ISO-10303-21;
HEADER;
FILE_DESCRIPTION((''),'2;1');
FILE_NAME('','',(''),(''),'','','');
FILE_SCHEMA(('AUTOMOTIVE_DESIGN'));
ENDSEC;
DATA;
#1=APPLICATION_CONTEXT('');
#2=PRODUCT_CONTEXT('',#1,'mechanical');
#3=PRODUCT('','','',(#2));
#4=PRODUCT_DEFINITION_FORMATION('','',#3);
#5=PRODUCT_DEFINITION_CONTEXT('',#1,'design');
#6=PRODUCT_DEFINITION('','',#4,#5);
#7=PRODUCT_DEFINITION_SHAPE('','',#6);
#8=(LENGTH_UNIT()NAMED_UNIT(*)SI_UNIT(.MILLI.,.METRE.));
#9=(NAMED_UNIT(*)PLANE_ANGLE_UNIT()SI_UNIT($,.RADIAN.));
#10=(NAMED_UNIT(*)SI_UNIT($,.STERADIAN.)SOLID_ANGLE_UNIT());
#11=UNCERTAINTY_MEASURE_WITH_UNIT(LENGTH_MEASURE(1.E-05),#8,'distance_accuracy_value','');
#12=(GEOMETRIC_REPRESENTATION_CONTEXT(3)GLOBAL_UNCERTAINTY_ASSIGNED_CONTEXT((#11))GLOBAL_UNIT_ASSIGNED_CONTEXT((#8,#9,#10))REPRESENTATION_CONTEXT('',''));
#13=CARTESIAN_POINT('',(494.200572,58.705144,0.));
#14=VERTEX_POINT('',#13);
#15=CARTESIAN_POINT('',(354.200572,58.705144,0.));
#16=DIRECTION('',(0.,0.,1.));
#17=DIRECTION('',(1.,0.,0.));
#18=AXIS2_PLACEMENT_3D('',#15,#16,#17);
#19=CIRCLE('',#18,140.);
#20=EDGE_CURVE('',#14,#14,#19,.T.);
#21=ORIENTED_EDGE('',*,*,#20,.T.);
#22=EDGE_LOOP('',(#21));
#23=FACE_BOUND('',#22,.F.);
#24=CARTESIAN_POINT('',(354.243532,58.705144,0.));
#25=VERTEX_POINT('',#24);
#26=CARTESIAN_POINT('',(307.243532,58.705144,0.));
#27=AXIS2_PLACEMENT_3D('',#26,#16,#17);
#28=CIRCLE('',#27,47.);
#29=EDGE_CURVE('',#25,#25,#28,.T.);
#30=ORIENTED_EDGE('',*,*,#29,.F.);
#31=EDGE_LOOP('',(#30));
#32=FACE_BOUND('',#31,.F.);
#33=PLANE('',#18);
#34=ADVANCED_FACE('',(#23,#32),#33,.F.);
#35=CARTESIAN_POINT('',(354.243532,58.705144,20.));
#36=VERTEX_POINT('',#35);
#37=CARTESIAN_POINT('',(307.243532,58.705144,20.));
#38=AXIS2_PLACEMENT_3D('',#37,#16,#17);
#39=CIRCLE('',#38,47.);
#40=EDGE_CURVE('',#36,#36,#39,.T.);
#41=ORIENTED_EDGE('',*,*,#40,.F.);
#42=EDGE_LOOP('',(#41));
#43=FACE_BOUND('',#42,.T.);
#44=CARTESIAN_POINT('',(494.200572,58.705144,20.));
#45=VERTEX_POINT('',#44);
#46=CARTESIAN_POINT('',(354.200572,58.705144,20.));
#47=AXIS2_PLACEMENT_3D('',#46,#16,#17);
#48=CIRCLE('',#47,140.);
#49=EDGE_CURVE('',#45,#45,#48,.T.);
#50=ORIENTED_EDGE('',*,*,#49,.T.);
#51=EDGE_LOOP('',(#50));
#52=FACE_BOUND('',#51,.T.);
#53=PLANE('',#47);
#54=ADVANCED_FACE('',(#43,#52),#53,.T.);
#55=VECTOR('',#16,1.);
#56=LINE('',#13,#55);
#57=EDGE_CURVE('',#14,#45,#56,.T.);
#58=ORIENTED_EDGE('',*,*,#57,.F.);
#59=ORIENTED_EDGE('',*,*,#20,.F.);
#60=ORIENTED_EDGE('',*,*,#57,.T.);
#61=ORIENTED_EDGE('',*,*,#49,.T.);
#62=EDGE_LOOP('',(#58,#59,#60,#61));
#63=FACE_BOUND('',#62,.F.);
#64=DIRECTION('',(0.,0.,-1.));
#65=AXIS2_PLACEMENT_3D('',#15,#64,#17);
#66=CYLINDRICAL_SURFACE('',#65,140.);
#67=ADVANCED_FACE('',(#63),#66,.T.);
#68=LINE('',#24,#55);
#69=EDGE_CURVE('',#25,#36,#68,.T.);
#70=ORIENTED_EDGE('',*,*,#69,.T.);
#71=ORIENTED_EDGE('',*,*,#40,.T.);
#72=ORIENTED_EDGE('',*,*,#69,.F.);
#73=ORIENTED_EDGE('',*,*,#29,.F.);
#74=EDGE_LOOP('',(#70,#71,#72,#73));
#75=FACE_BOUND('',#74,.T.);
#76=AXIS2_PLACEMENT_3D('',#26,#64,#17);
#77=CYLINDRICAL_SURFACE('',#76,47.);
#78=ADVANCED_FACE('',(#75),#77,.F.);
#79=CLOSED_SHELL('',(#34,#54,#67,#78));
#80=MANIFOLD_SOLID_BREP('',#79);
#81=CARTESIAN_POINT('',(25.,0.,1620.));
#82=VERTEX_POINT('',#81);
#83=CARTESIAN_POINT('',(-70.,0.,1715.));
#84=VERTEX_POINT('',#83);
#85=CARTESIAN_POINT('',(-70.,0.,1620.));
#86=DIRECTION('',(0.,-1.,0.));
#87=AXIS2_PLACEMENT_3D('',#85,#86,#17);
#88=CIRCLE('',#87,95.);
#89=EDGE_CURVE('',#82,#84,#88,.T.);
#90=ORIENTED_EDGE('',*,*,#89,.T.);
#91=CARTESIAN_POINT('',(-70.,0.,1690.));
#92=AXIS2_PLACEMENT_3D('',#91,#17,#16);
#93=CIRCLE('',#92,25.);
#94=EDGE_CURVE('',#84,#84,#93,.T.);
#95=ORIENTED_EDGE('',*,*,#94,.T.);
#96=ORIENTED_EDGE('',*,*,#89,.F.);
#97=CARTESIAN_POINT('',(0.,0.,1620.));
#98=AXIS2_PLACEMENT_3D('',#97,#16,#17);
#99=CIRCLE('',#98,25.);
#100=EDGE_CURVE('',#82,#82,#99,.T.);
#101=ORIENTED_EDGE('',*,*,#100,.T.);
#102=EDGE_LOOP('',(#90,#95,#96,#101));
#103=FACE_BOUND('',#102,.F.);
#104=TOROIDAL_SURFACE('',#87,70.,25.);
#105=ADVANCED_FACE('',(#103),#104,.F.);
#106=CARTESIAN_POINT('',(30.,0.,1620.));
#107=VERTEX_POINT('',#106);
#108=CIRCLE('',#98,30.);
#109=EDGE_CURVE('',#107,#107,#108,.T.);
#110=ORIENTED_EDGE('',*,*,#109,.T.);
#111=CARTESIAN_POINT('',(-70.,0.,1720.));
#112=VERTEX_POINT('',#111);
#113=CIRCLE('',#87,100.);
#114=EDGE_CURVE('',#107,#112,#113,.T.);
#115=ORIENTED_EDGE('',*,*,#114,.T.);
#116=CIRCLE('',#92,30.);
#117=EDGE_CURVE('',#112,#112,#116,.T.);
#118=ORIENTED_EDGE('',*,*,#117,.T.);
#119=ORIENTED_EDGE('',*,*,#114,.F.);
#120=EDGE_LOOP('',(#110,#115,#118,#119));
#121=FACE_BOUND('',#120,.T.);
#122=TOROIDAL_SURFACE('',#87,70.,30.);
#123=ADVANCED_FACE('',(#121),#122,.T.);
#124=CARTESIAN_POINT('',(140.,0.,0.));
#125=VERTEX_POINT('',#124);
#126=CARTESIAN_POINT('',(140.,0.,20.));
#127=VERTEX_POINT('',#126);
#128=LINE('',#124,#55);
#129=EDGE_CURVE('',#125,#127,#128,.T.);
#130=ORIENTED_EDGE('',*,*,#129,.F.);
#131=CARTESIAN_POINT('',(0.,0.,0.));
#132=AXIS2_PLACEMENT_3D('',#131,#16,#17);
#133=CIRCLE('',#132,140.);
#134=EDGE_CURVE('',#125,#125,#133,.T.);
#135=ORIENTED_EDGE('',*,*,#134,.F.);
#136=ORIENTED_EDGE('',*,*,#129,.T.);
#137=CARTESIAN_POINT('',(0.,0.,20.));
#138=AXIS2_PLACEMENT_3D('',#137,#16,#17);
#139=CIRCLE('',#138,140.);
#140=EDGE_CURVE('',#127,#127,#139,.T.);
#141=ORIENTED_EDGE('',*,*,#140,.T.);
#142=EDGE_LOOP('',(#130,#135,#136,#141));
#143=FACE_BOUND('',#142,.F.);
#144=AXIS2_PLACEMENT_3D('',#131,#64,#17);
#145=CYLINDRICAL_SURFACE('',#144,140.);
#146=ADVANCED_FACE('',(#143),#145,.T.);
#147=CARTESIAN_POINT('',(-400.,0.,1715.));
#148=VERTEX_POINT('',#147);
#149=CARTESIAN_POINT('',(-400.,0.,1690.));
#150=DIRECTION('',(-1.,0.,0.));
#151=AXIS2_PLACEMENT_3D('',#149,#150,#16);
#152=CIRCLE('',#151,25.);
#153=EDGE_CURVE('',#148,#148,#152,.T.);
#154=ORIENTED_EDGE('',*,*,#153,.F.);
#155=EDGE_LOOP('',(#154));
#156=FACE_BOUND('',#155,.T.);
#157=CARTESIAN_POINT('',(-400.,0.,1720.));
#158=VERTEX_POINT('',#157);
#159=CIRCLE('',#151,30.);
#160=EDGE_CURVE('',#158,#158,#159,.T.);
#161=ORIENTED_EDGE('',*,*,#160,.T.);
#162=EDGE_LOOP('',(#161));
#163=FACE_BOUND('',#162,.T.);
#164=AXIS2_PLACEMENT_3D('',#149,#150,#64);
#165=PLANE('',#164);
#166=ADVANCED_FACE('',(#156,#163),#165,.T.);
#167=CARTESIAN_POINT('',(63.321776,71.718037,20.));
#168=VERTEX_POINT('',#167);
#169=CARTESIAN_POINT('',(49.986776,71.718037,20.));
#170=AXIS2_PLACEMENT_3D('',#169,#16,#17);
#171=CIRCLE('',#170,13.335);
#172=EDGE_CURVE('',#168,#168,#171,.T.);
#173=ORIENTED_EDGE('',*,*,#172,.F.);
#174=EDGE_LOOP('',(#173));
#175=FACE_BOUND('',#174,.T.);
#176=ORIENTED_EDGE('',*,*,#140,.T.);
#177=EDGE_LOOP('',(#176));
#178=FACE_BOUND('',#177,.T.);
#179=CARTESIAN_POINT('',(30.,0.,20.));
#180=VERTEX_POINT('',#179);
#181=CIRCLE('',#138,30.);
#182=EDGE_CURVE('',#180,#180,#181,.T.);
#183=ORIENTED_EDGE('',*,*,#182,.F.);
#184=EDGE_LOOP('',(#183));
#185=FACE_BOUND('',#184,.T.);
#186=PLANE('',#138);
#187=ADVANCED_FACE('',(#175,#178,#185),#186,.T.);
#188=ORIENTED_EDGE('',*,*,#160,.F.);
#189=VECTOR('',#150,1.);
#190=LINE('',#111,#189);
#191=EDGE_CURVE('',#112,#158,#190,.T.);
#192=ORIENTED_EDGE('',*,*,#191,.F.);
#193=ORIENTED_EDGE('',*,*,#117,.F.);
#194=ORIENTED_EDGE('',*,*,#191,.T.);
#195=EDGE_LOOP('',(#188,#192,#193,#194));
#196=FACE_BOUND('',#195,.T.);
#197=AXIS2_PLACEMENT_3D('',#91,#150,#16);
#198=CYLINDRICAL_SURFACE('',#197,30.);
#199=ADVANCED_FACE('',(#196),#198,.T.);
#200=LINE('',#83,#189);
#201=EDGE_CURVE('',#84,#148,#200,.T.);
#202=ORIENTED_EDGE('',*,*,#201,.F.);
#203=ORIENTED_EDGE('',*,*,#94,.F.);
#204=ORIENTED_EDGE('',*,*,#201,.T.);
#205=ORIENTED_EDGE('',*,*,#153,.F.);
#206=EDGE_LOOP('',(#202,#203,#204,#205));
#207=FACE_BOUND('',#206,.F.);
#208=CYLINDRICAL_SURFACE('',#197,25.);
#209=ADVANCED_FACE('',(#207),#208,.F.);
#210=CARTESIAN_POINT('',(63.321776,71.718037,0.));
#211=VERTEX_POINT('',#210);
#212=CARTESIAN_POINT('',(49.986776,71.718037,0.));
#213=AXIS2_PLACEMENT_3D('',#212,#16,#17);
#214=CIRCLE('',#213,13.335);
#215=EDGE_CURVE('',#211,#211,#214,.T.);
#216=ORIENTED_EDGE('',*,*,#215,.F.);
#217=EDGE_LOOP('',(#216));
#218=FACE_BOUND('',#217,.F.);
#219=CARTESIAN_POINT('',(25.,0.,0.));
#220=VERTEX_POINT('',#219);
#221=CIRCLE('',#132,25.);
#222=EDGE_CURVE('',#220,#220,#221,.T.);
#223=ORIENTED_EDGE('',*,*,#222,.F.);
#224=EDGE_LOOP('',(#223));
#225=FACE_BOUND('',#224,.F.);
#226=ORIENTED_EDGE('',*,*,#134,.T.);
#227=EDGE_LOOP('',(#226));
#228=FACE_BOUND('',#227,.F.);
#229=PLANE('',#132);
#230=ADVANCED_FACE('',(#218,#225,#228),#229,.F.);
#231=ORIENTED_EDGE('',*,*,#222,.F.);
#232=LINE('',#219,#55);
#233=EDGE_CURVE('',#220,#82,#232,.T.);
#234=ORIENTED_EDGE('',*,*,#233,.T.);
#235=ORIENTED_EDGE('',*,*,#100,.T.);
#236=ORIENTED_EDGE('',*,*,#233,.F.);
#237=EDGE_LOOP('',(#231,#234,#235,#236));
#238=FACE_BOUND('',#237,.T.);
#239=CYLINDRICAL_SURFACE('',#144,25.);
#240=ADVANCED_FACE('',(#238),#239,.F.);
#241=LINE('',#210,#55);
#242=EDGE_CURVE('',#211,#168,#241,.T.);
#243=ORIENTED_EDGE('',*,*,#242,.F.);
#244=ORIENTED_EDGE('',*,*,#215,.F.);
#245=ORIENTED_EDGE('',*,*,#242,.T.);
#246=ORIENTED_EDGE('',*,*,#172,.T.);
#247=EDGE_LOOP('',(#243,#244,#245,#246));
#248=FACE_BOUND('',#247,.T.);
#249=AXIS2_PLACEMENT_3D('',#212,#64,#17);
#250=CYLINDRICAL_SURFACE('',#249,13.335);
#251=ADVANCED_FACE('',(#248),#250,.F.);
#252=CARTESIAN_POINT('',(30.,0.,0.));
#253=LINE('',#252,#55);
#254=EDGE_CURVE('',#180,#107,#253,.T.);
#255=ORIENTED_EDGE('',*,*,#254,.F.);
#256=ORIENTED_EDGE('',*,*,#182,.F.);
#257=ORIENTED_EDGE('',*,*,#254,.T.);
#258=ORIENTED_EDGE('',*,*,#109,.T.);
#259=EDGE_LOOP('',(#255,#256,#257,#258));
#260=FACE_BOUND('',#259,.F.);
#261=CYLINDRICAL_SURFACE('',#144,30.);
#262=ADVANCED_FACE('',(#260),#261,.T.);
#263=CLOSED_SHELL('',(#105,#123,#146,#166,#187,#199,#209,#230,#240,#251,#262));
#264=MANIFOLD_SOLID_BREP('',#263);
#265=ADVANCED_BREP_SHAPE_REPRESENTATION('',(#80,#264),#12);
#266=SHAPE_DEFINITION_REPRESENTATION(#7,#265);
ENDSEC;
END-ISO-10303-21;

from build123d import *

# Parameters (mm, degrees)
F0_R        = 140
F0_R_2      = 30
F0_R_3      = 13.335
F1_DEPTH    = 20
F0_R_4      = 25
F2_DEPTH    = 1620
F2_FACE_R   = 30
F2_FACE_R_2 = 25
F0_R_5      = 47
F8_DEPTH    = 20


with BuildPart() as f1:
    # F0 (on Top) → F1 (new body)
    with BuildSketch(Plane.XY):
        Circle(F0_R)
        Circle(F0_R_2, mode=Mode.SUBTRACT)
        with Locations((49.9867759645, 71.7180371284)):
            Circle(F0_R_3, mode=Mode.SUBTRACT)
    extrude(amount=F1_DEPTH)

    # F0 (on Top) → F2 (join)
    with BuildSketch(Plane.XY):
        Circle(F0_R_2)
        Circle(F0_R_4, mode=Mode.SUBTRACT)
    extrude(amount=F2_DEPTH)

    # F7: sweep along a path in F6
    with BuildLine(Plane.XZ) as f7_path:
        ThreePointArc((0, 1620), (-20.5025253169, 1669.4974746831), (-70, 1690))
        Line((-70, 1690), (-400, 1690))
    # F2_face (on face) → F7 (sweep)
    with BuildSketch(Plane.XY.offset(1620)):
        Circle(F2_FACE_R)
        Circle(F2_FACE_R_2, mode=Mode.SUBTRACT)
    sweep(path=f7_path.line)


with BuildPart() as f8:
    # F0 (on Top) → F8 (new body)
    with BuildSketch(Plane.XY):
        with Locations((354.2005717754, 58.7051436305)):
            Circle(F0_R)
        with Locations((307.2435322225, 58.7051436305)):
            Circle(F0_R_5, mode=Mode.SUBTRACT)
    extrude(amount=F8_DEPTH)


solid = Compound([f1.part, f8.part])
